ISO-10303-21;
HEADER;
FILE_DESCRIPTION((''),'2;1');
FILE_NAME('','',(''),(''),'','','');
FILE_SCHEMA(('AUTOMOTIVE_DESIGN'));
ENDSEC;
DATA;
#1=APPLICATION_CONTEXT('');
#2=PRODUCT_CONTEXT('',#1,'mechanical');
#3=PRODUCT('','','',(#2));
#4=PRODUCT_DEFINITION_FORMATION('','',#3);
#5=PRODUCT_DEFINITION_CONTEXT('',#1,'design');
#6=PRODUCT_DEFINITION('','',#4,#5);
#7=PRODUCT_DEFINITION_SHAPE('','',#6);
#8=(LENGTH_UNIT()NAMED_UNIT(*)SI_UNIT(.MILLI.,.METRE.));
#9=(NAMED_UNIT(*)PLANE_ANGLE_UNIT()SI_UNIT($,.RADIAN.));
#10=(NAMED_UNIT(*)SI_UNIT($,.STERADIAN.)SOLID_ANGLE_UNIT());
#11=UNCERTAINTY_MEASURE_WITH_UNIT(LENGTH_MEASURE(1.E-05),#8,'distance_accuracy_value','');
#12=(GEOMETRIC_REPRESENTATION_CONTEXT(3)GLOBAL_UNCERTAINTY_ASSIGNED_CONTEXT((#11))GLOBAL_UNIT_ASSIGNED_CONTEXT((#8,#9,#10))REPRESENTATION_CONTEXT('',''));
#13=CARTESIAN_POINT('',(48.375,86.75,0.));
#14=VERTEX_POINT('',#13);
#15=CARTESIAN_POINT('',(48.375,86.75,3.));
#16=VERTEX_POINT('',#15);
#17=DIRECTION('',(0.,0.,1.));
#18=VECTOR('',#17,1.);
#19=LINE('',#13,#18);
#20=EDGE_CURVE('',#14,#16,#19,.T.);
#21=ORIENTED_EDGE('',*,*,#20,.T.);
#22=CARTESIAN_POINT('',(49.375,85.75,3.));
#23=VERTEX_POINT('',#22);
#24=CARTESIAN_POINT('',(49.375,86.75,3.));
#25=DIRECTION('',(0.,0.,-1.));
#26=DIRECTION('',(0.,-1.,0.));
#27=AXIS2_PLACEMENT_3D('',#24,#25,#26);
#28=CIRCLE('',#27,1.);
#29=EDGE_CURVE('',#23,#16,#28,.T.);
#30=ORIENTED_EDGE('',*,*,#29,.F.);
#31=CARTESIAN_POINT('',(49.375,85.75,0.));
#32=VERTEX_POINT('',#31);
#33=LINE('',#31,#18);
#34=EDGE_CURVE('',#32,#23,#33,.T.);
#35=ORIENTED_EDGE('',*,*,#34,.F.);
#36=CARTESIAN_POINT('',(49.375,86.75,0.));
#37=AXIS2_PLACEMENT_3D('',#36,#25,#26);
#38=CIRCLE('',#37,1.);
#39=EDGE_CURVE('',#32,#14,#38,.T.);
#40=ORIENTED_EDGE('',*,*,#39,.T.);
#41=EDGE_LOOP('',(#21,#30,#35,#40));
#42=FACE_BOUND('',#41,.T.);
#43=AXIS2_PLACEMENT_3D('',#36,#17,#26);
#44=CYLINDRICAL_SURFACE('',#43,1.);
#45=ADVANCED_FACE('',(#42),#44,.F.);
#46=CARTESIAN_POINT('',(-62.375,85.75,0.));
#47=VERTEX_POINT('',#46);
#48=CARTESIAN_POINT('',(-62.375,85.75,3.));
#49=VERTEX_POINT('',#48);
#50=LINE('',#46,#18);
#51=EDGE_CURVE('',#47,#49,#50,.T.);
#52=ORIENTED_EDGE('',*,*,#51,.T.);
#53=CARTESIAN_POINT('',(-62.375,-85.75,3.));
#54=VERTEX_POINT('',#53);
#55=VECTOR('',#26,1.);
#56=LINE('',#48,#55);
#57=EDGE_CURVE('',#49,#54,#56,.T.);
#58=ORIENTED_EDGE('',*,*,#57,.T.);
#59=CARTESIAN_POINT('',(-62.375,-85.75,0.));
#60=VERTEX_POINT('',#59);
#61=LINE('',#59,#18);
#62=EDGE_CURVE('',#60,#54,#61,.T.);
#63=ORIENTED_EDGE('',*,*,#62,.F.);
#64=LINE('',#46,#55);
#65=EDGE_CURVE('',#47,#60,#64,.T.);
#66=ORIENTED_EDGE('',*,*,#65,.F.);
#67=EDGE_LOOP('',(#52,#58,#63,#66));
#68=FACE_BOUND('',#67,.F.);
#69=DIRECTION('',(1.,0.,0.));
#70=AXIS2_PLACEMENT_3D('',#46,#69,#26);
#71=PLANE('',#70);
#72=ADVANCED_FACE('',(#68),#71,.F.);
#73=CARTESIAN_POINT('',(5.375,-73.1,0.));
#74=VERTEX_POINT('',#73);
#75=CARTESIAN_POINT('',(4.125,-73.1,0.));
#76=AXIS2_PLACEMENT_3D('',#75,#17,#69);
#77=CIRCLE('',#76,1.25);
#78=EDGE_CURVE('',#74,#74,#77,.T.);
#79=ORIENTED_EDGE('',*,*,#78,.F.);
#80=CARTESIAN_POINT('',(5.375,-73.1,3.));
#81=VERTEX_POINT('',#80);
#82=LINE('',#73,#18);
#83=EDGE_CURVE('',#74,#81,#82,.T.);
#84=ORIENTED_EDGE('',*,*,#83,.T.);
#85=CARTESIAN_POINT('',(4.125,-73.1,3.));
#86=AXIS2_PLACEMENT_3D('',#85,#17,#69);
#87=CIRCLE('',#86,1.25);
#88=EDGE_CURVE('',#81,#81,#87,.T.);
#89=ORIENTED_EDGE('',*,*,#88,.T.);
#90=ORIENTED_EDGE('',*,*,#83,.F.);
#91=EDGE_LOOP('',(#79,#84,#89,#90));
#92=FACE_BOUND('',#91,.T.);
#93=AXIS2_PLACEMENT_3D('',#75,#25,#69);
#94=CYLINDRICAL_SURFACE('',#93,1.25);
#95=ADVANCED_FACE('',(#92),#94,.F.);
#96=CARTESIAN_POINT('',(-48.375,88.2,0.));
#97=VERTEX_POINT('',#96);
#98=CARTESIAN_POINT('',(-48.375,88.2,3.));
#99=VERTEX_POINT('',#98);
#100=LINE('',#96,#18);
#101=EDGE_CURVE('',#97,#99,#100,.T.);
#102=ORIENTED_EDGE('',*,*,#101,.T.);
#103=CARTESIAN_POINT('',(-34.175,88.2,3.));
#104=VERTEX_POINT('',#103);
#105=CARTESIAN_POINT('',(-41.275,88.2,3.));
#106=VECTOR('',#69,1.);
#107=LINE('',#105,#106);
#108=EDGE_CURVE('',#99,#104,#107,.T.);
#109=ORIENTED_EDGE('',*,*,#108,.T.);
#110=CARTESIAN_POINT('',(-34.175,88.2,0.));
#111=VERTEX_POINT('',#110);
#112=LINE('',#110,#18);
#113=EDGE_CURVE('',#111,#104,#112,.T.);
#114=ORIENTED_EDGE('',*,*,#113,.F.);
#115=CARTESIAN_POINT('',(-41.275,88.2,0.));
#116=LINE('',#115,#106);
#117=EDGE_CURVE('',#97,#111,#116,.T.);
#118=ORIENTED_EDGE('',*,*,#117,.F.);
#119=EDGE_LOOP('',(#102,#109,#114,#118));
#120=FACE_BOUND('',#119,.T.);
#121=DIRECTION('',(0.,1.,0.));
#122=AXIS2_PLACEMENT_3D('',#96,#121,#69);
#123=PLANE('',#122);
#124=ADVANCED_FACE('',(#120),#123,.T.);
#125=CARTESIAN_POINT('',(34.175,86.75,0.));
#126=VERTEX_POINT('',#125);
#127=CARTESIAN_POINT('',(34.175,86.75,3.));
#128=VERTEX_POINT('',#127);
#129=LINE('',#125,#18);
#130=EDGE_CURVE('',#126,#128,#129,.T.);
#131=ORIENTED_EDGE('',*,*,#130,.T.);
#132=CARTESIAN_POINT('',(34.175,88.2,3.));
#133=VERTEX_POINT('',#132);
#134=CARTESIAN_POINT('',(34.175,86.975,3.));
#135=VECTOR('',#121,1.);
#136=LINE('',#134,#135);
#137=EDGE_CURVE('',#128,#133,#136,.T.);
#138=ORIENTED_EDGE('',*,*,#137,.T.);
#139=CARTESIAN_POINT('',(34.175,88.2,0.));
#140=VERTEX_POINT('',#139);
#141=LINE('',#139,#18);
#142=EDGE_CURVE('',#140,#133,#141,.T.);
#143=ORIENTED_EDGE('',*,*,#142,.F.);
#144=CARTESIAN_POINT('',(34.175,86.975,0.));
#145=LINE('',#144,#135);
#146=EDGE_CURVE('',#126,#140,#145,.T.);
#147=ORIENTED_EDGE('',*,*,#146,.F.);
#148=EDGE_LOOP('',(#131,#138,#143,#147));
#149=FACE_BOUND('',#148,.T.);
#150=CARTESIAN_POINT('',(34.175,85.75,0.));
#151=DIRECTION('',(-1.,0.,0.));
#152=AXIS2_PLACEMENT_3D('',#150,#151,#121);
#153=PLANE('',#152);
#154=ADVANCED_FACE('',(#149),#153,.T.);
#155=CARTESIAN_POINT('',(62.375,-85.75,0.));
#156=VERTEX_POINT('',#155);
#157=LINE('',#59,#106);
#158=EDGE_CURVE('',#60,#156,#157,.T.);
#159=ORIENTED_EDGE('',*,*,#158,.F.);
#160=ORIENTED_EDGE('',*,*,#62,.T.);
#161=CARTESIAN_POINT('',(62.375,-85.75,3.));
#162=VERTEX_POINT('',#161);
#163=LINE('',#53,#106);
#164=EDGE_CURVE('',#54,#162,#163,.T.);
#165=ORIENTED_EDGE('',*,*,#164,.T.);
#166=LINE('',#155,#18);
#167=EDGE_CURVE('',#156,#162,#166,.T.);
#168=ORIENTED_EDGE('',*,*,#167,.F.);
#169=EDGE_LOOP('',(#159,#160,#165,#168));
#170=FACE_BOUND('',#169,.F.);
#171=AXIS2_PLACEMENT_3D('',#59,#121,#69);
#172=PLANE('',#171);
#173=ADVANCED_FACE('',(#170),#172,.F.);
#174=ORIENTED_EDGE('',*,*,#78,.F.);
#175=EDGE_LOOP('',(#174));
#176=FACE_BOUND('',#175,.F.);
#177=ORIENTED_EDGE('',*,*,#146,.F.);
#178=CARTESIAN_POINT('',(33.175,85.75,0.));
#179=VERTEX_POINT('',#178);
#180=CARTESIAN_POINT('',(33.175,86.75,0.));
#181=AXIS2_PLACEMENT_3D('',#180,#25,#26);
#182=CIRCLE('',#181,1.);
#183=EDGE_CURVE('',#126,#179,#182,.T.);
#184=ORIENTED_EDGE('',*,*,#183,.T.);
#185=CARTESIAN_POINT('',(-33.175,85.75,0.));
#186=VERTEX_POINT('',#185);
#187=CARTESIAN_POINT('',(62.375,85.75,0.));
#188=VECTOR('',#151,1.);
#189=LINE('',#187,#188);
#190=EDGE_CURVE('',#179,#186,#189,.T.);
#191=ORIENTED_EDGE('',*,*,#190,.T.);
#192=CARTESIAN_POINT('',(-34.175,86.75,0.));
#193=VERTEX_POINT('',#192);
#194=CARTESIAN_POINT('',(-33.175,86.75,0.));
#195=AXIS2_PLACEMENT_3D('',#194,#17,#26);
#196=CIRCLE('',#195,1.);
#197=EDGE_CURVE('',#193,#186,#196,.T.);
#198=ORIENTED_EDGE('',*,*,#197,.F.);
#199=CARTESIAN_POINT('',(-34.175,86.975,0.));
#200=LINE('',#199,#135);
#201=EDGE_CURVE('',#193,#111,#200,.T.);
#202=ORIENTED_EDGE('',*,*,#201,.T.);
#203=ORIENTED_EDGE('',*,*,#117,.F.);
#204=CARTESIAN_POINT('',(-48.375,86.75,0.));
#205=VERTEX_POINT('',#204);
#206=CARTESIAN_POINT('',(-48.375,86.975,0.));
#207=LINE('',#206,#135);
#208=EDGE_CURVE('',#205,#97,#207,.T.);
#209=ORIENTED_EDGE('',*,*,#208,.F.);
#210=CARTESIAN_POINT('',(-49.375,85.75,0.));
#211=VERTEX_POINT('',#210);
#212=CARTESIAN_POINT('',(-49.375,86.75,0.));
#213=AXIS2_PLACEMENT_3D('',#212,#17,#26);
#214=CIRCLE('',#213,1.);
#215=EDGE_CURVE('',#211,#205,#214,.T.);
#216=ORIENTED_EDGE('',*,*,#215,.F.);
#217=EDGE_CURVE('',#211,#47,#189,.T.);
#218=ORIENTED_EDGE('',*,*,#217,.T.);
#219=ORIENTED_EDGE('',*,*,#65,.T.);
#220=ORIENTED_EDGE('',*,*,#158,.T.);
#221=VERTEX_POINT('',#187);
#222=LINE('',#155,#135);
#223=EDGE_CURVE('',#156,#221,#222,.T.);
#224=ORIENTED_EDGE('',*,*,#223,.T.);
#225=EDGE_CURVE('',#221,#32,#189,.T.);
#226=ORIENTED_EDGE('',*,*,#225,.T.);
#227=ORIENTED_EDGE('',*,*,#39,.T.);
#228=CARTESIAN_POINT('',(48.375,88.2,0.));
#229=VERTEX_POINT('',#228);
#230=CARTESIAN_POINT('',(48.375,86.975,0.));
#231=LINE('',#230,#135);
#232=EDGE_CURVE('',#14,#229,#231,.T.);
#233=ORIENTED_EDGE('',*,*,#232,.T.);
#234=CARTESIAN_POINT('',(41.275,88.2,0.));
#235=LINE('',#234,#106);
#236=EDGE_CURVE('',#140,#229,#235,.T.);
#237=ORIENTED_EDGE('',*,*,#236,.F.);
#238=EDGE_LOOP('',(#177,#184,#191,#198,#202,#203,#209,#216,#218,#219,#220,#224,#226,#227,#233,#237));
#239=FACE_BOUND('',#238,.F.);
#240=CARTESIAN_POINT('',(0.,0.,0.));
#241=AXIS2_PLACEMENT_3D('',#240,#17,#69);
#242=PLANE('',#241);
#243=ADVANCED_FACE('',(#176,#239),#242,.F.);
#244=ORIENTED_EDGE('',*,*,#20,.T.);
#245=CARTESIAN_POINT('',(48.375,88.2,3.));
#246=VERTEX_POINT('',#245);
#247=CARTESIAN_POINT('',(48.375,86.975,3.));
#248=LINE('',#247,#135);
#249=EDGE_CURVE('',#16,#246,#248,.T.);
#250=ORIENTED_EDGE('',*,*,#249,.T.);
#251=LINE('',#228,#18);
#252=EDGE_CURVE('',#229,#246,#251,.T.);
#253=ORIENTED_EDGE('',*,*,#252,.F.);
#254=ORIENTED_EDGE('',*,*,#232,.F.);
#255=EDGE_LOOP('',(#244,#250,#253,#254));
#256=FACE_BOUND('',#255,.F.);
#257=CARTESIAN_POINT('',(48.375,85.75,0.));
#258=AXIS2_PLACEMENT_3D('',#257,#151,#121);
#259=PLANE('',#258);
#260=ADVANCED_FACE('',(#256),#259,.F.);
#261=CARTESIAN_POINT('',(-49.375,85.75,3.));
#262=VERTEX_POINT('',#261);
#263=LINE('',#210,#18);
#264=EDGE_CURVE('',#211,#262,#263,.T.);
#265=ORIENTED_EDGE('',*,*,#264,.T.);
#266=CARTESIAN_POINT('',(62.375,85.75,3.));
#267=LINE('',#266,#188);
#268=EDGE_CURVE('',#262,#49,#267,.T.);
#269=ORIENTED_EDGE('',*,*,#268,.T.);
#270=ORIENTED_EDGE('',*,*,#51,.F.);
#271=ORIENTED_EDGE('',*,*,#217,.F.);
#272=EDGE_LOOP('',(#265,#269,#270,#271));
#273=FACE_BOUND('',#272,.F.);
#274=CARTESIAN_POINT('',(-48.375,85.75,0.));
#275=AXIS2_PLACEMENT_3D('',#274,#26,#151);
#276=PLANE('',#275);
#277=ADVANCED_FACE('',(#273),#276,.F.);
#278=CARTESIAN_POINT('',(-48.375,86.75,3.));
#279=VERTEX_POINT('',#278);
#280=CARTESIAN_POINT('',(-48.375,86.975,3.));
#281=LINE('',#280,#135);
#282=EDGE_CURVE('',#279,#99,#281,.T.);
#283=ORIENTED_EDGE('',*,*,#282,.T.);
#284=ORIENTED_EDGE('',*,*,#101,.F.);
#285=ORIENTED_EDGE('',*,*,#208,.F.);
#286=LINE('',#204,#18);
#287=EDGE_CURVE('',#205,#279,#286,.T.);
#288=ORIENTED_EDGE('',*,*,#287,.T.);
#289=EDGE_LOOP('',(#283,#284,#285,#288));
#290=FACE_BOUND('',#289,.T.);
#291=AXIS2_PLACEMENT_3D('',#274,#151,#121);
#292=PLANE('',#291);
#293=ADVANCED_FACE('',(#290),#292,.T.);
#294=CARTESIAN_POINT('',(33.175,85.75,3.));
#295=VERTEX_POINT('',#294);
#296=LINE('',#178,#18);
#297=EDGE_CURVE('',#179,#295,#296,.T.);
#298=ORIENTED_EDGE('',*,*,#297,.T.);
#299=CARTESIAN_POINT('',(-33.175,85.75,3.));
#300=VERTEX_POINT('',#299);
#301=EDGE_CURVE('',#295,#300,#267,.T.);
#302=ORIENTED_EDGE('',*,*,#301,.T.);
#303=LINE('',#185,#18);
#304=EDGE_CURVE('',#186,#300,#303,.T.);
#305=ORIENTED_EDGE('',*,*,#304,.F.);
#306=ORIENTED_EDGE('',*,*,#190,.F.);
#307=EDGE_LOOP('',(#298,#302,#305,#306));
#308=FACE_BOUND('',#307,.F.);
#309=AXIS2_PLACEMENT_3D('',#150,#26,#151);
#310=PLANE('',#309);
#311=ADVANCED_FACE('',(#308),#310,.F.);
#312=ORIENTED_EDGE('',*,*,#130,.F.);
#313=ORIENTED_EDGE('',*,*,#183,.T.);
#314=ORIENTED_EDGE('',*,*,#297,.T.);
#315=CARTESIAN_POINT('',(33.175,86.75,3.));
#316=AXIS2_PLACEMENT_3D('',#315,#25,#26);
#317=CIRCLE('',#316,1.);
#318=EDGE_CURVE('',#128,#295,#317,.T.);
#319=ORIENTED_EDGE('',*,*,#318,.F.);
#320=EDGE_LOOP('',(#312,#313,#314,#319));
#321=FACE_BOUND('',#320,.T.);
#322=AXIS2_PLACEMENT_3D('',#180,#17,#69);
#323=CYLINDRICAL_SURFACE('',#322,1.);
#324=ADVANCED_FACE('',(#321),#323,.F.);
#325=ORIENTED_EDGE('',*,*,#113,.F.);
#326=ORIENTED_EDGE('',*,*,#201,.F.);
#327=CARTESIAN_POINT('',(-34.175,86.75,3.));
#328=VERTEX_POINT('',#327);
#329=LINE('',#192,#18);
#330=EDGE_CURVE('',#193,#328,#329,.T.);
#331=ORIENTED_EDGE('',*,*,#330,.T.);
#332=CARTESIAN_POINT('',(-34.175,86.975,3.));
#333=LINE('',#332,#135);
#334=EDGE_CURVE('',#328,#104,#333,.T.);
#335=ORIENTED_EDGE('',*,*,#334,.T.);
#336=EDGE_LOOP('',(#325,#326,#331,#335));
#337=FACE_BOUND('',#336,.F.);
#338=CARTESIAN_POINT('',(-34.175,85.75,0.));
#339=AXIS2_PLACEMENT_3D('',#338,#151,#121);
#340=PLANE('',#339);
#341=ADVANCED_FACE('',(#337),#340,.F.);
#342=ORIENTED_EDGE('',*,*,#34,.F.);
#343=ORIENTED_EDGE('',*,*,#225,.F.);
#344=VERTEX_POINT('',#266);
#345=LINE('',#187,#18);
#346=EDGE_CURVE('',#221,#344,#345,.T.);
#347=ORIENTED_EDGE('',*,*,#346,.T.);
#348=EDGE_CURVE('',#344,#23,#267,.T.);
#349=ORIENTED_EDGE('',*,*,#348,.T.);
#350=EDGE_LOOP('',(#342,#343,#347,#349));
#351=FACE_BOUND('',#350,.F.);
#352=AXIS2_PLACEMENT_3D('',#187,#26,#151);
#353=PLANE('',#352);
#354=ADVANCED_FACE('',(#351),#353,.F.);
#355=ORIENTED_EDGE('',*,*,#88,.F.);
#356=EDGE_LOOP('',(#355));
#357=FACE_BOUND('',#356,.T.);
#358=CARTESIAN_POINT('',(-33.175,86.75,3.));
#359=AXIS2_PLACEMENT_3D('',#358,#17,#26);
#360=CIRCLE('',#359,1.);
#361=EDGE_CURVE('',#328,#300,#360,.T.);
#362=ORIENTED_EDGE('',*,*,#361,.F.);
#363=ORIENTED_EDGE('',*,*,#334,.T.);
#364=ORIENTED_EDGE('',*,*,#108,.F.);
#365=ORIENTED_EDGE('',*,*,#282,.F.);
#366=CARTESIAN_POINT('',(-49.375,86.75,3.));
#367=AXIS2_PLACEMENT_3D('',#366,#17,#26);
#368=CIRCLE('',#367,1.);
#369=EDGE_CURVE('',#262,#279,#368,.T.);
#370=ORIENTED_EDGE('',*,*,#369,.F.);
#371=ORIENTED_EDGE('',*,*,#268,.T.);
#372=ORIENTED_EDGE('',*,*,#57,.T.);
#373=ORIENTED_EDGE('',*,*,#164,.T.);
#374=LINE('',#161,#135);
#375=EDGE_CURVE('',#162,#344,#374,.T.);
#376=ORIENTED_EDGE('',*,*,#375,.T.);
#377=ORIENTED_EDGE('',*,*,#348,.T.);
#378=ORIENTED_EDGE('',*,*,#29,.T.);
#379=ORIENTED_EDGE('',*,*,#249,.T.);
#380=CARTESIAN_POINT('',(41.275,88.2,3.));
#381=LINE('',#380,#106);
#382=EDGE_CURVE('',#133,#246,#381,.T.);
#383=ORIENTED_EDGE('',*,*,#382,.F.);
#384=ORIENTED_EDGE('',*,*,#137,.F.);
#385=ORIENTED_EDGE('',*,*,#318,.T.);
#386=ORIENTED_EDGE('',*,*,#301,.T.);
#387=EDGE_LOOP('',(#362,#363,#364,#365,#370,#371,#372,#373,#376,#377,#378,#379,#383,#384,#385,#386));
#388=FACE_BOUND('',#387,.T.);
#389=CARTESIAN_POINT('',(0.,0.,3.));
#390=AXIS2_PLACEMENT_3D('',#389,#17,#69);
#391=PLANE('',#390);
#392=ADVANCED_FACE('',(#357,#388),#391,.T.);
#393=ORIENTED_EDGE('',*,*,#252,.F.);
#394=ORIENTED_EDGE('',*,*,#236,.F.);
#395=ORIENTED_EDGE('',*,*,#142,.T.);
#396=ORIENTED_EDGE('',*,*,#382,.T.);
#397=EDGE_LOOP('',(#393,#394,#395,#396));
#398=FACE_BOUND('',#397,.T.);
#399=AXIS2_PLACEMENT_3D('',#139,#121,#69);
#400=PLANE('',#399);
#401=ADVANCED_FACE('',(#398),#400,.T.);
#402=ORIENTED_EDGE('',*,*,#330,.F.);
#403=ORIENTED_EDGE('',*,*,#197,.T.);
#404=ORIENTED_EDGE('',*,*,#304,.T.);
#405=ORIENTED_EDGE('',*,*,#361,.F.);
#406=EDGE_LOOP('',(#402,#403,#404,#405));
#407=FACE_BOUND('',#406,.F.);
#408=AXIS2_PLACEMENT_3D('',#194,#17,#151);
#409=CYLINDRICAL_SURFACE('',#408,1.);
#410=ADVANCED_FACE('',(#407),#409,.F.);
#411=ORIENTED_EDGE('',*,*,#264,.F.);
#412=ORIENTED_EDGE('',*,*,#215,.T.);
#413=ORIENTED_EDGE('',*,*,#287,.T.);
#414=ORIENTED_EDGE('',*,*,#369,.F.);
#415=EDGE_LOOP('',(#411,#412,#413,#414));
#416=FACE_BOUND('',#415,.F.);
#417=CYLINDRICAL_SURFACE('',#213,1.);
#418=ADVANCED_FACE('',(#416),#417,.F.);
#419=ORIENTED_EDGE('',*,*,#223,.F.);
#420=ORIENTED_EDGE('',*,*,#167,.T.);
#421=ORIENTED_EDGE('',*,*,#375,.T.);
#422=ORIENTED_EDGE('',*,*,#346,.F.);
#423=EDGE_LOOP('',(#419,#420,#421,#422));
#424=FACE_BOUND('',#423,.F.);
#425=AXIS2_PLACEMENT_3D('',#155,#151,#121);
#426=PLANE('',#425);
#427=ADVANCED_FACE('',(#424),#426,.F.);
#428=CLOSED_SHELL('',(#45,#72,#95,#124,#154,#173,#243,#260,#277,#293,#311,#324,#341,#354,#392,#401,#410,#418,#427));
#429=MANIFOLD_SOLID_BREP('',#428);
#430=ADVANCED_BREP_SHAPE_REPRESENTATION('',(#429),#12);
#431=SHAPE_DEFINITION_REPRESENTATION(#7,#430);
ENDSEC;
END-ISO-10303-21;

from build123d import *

# Parameters (mm, degrees)
F0_R     = 1.25
F0_W     = 14.2
F0_H     = 2.45
F1_DEPTH = 3
F2_R     = 1


with BuildPart() as f1:
    # F0 (on Top) → F1 (new body)
    with BuildSketch(Plane.XY):
        Polygon((62.375, -85.75), (62.375, 85.75), (48.375, 85.75), (34.175, 85.75), (-34.175, 85.75), (-48.375, 85.75), (-62.375, 85.75), (-62.375, -85.75), align=None)
        with Locations((4.125, -73.1)):
            Circle(F0_R, mode=Mode.SUBTRACT)
        with Locations((41.275, 86.975)):
            Rectangle(F0_W, F0_H)
        with Locations((-41.275, 86.975)):
            Rectangle(F0_W, F0_H)
    extrude(amount=F1_DEPTH)

    # F2
    f2_edges = [f1.edges().sort_by_distance(p)[0] for p in [
        (-48.375, 85.75, 1.5),
        (-34.175, 85.75, 1.5),
        (48.375, 85.75, 1.5),
        (34.175, 85.75, 1.5),
    ]]
    fillet(f2_edges, radius=F2_R)


solid = f1.part
